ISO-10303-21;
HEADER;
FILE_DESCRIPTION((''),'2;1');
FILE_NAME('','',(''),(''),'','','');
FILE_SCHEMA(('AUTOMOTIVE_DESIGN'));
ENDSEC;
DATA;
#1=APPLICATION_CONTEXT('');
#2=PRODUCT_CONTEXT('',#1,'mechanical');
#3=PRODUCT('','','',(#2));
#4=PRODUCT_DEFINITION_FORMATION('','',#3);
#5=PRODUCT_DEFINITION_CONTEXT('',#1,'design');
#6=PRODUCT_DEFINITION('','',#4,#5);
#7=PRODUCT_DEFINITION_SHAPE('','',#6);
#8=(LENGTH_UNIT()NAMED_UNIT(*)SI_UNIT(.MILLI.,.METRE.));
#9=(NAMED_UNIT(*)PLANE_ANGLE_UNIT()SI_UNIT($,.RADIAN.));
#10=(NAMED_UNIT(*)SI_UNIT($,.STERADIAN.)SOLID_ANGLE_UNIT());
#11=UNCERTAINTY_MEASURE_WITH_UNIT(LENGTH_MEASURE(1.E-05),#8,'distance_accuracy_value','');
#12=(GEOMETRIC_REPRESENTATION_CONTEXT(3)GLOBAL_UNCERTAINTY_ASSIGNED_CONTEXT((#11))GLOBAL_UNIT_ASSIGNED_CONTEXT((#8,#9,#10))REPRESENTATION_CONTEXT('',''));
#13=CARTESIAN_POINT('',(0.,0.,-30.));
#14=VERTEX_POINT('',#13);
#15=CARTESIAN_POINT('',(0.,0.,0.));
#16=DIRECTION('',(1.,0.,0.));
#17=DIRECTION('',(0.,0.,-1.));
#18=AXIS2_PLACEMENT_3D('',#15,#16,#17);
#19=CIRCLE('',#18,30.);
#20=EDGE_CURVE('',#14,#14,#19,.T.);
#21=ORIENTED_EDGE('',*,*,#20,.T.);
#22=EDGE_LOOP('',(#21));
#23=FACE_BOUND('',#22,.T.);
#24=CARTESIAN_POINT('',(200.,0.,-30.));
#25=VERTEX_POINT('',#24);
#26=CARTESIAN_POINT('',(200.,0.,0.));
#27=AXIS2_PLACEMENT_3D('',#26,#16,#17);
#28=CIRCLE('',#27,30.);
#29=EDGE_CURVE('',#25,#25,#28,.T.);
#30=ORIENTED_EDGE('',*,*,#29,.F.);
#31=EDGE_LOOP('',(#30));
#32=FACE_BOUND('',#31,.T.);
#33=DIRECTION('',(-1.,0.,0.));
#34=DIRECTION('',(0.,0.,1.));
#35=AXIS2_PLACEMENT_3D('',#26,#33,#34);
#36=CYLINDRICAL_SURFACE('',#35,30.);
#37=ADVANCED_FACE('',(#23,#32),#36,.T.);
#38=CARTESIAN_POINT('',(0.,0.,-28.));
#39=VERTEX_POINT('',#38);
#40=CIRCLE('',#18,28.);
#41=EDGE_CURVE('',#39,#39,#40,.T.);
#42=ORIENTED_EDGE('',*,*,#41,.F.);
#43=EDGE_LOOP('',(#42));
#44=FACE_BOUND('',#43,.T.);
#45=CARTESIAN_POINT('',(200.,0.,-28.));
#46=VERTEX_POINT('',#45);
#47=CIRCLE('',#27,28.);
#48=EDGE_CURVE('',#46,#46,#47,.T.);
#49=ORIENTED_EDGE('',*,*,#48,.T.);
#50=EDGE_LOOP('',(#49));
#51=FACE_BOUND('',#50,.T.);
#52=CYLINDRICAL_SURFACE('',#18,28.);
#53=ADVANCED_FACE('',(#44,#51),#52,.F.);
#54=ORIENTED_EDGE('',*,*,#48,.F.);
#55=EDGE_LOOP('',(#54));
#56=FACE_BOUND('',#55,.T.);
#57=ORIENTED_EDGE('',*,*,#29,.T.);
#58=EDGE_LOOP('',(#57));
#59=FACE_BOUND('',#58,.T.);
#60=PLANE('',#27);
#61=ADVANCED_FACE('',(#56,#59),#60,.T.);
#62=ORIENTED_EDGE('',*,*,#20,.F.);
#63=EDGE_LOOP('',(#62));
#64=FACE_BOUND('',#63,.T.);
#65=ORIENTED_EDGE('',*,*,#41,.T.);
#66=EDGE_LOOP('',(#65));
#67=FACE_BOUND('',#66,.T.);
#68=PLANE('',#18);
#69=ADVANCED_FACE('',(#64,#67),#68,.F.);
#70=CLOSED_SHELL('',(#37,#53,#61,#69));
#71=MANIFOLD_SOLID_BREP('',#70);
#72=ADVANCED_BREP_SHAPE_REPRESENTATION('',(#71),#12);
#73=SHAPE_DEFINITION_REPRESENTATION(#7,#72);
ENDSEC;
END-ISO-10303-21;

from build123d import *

# Parameters (mm, degrees)
SKETCH1_R           = 30
BOSS_EXTRUDE1_DEPTH = 200
SKETCH3_R           = 28
CUT_EXTRUDE1_DEPTH  = 200


with BuildPart() as part:
    # Sketch1 → Boss-Extrude1 (new body)
    with BuildSketch(Plane(origin=(0, 0, 0), x_dir=(0, 0, -1), z_dir=(1, 0, 0))):
        Circle(SKETCH1_R)
    extrude(amount=BOSS_EXTRUDE1_DEPTH)

    # Sketch3 → Cut-Extrude1 (cut)
    with BuildSketch(Plane(origin=(200, 0, 0), x_dir=(0, 0, -1), z_dir=(1, 0, 0))):
        Circle(SKETCH3_R)
    extrude(amount=-CUT_EXTRUDE1_DEPTH, mode=Mode.SUBTRACT)


solid = part.part
